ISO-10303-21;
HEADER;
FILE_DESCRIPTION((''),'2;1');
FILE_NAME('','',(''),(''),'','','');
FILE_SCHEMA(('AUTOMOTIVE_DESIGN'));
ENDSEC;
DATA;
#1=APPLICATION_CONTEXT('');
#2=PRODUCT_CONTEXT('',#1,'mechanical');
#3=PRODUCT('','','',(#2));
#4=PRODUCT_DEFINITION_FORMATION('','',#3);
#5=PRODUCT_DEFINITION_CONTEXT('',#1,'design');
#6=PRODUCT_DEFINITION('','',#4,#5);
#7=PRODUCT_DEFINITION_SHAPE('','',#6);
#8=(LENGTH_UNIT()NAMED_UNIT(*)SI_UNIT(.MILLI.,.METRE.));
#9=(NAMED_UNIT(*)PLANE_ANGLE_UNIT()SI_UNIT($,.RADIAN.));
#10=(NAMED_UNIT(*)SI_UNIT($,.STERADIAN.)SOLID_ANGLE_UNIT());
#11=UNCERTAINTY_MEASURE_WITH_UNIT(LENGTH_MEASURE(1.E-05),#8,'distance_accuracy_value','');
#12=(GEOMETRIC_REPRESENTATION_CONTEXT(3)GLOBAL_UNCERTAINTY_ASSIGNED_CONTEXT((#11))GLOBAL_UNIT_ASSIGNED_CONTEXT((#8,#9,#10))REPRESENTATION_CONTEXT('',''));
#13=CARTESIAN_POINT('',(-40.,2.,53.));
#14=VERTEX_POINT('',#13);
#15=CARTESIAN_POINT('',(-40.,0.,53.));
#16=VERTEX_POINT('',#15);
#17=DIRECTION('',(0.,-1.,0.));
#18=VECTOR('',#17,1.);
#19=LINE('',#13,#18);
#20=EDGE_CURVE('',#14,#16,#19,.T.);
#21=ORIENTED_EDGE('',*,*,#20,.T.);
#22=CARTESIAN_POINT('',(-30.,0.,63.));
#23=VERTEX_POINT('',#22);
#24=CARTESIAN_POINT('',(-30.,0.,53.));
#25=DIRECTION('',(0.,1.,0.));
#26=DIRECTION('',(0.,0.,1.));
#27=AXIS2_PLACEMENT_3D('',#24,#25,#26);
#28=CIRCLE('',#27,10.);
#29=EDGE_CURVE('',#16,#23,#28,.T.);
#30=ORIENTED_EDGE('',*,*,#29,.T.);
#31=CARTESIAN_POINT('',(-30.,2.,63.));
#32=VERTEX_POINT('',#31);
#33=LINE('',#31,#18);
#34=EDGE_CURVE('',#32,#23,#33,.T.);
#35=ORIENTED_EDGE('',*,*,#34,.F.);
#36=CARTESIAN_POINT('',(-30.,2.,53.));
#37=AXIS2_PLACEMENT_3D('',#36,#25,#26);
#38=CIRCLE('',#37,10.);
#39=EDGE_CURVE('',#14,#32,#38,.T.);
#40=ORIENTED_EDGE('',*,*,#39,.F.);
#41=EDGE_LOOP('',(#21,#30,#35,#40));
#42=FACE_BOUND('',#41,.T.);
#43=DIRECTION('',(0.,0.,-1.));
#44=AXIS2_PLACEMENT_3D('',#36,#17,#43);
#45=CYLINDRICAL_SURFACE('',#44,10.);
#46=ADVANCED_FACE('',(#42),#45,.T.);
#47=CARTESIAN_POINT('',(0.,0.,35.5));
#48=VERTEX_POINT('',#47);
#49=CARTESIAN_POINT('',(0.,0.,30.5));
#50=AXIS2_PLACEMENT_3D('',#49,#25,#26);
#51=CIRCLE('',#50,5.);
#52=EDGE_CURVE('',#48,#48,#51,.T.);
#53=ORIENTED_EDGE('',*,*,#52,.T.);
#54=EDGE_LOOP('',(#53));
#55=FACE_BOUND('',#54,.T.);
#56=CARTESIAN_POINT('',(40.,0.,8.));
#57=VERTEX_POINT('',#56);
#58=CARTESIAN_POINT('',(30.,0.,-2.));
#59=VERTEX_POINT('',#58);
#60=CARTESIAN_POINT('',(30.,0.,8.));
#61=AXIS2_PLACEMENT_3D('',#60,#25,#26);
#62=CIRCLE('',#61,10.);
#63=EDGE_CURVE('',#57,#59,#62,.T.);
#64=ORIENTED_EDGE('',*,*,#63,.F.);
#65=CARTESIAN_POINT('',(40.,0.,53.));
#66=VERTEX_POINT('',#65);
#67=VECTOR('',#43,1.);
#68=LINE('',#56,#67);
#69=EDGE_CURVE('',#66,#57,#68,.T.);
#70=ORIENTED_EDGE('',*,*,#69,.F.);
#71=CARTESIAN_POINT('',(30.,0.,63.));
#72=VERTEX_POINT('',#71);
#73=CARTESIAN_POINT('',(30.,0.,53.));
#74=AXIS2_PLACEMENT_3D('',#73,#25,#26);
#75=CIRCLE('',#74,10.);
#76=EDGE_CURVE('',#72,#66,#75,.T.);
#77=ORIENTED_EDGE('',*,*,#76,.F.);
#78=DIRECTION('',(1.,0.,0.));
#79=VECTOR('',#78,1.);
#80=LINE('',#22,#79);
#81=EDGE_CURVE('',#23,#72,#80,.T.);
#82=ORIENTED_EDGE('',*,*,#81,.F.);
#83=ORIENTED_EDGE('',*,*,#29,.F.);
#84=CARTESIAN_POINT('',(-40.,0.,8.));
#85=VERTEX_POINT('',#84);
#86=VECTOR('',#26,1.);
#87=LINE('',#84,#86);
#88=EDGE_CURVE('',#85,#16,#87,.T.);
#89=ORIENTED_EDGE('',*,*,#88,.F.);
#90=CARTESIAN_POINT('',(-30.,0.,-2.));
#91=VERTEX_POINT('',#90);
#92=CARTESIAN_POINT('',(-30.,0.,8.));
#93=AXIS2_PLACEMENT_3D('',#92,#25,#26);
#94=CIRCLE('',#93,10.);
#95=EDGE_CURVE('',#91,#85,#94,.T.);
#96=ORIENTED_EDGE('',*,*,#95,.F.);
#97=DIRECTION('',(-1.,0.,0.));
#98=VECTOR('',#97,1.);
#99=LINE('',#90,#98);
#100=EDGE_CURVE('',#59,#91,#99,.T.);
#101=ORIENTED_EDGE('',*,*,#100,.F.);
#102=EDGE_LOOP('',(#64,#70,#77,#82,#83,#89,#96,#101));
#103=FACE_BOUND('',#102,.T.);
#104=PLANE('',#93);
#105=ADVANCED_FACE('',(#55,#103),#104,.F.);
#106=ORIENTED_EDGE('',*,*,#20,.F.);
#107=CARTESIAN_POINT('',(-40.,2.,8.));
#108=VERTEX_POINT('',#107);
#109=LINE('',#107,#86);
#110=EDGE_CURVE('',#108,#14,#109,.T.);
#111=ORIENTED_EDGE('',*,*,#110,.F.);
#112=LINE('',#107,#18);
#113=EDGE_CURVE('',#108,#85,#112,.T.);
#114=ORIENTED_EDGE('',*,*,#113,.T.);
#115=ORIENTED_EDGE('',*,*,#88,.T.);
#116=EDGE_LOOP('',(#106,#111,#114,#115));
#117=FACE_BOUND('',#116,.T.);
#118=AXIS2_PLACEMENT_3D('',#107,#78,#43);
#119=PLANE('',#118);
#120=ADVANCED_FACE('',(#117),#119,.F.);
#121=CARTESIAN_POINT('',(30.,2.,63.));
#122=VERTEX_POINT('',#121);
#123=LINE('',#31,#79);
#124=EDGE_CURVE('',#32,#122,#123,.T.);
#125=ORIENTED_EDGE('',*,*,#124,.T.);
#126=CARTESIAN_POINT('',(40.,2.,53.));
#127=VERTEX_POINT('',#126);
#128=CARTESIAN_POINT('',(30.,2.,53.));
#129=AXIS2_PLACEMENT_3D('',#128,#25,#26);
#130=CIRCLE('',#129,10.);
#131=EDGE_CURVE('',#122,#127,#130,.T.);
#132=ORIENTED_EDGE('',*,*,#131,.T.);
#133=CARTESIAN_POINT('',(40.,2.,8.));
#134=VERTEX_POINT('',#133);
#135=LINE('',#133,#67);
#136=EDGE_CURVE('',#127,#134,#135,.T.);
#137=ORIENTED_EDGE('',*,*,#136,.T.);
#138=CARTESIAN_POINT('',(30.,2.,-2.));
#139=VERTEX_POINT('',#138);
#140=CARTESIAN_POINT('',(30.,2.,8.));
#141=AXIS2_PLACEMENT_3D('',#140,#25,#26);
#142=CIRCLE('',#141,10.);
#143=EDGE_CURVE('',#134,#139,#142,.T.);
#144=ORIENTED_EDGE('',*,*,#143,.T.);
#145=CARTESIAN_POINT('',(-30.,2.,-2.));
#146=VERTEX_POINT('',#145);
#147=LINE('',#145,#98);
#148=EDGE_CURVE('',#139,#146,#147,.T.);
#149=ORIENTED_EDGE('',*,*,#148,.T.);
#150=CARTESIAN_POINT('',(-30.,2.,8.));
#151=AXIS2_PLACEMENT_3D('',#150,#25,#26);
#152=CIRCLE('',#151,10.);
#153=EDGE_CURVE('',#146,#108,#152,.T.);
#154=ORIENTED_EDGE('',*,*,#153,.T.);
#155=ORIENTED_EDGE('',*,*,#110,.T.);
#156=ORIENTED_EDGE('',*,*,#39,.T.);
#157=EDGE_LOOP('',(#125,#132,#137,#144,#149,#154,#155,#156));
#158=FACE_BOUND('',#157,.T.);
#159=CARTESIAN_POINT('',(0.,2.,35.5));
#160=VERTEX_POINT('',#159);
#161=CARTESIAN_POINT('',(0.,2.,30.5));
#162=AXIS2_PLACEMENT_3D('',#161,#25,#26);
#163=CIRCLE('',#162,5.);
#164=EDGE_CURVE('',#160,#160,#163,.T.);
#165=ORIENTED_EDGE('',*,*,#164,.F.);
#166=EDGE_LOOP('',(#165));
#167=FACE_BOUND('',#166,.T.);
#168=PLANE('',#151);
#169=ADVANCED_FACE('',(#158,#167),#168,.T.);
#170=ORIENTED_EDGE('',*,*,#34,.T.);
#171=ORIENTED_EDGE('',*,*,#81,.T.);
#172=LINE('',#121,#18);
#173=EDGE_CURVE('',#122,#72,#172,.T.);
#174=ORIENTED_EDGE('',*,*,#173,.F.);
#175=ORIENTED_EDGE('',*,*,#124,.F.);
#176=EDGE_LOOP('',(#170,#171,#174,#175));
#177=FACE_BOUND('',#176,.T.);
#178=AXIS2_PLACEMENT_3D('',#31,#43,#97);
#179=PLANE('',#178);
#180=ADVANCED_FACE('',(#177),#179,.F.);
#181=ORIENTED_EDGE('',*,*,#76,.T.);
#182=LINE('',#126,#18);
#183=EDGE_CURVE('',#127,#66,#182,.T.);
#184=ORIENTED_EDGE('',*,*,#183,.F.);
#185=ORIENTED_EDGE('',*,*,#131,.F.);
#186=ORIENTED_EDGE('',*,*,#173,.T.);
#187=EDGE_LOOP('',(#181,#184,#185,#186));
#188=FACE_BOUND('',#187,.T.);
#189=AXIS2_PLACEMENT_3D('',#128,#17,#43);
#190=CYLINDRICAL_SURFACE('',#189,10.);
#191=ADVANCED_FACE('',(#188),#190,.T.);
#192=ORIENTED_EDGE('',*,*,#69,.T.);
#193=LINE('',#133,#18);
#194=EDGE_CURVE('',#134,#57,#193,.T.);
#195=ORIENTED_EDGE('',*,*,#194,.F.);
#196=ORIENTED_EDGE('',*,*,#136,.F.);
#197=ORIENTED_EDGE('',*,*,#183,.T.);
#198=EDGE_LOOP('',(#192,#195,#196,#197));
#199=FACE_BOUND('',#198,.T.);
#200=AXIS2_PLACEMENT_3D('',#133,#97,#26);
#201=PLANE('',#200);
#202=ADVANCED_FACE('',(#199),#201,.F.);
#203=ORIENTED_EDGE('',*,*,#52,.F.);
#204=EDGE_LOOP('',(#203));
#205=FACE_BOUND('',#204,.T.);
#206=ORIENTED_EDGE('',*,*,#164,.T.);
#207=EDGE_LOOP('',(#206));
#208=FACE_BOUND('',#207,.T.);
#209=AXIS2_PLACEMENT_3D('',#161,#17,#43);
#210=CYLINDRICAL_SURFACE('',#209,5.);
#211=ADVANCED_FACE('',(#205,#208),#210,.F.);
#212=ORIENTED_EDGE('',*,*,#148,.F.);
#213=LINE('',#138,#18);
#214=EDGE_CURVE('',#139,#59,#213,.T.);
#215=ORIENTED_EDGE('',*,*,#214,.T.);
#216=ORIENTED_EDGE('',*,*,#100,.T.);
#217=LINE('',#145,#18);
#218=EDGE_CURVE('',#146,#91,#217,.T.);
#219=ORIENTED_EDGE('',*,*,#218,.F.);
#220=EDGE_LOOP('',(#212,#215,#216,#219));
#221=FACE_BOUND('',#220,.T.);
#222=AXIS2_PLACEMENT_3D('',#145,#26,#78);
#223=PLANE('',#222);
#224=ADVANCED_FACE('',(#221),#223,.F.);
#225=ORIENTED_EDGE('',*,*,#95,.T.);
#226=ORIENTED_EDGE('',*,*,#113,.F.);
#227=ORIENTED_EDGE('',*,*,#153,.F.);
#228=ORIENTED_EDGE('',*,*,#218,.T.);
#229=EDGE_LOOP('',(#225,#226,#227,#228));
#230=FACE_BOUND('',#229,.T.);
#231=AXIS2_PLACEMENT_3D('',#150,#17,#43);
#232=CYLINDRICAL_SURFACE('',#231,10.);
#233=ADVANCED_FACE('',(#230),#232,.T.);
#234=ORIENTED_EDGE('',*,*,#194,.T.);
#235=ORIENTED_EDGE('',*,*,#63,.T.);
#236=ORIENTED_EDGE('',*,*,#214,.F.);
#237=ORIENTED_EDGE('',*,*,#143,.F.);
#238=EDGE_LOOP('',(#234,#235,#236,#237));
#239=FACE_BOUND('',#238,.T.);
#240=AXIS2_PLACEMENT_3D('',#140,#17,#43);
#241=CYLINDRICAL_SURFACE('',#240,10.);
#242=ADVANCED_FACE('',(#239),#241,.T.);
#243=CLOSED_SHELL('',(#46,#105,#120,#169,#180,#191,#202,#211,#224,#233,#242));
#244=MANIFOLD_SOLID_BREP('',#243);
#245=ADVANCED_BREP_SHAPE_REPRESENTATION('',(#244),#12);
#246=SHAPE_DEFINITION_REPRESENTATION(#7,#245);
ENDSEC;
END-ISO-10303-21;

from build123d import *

# Parameters (mm, degrees)
SKETCH_10_R     = 5
EXTRUDE_1_DEPTH = 2


with BuildPart() as part:
    # Эскиз10 → Вытянуть1 (new body)
    with BuildSketch(Plane(origin=(0, 0, 0), x_dir=(1, 0, 0), z_dir=(0, 1, 0))):
        with BuildLine():
            Line((-30, 2), (30, 2))
            ThreePointArc((30, 2), (37.071067812, -0.928932188), (40, -8))
            Line((40, -8), (40, -53))
            ThreePointArc((40, -53), (37.071067812, -60.071067812), (30, -63))
            Line((30, -63), (-30, -63))
            ThreePointArc((-30, -63), (-37.071067812, -60.071067812), (-40, -53))
            Line((-40, -53), (-40, -8))
            ThreePointArc((-40, -8), (-37.071067812, -0.928932188), (-30, 2))
        make_face()
        with Locations(Location((0, -30.5, 0), (0, 0, 270))):
            Circle(SKETCH_10_R, mode=Mode.SUBTRACT)
    extrude(amount=EXTRUDE_1_DEPTH)


solid = part.part
